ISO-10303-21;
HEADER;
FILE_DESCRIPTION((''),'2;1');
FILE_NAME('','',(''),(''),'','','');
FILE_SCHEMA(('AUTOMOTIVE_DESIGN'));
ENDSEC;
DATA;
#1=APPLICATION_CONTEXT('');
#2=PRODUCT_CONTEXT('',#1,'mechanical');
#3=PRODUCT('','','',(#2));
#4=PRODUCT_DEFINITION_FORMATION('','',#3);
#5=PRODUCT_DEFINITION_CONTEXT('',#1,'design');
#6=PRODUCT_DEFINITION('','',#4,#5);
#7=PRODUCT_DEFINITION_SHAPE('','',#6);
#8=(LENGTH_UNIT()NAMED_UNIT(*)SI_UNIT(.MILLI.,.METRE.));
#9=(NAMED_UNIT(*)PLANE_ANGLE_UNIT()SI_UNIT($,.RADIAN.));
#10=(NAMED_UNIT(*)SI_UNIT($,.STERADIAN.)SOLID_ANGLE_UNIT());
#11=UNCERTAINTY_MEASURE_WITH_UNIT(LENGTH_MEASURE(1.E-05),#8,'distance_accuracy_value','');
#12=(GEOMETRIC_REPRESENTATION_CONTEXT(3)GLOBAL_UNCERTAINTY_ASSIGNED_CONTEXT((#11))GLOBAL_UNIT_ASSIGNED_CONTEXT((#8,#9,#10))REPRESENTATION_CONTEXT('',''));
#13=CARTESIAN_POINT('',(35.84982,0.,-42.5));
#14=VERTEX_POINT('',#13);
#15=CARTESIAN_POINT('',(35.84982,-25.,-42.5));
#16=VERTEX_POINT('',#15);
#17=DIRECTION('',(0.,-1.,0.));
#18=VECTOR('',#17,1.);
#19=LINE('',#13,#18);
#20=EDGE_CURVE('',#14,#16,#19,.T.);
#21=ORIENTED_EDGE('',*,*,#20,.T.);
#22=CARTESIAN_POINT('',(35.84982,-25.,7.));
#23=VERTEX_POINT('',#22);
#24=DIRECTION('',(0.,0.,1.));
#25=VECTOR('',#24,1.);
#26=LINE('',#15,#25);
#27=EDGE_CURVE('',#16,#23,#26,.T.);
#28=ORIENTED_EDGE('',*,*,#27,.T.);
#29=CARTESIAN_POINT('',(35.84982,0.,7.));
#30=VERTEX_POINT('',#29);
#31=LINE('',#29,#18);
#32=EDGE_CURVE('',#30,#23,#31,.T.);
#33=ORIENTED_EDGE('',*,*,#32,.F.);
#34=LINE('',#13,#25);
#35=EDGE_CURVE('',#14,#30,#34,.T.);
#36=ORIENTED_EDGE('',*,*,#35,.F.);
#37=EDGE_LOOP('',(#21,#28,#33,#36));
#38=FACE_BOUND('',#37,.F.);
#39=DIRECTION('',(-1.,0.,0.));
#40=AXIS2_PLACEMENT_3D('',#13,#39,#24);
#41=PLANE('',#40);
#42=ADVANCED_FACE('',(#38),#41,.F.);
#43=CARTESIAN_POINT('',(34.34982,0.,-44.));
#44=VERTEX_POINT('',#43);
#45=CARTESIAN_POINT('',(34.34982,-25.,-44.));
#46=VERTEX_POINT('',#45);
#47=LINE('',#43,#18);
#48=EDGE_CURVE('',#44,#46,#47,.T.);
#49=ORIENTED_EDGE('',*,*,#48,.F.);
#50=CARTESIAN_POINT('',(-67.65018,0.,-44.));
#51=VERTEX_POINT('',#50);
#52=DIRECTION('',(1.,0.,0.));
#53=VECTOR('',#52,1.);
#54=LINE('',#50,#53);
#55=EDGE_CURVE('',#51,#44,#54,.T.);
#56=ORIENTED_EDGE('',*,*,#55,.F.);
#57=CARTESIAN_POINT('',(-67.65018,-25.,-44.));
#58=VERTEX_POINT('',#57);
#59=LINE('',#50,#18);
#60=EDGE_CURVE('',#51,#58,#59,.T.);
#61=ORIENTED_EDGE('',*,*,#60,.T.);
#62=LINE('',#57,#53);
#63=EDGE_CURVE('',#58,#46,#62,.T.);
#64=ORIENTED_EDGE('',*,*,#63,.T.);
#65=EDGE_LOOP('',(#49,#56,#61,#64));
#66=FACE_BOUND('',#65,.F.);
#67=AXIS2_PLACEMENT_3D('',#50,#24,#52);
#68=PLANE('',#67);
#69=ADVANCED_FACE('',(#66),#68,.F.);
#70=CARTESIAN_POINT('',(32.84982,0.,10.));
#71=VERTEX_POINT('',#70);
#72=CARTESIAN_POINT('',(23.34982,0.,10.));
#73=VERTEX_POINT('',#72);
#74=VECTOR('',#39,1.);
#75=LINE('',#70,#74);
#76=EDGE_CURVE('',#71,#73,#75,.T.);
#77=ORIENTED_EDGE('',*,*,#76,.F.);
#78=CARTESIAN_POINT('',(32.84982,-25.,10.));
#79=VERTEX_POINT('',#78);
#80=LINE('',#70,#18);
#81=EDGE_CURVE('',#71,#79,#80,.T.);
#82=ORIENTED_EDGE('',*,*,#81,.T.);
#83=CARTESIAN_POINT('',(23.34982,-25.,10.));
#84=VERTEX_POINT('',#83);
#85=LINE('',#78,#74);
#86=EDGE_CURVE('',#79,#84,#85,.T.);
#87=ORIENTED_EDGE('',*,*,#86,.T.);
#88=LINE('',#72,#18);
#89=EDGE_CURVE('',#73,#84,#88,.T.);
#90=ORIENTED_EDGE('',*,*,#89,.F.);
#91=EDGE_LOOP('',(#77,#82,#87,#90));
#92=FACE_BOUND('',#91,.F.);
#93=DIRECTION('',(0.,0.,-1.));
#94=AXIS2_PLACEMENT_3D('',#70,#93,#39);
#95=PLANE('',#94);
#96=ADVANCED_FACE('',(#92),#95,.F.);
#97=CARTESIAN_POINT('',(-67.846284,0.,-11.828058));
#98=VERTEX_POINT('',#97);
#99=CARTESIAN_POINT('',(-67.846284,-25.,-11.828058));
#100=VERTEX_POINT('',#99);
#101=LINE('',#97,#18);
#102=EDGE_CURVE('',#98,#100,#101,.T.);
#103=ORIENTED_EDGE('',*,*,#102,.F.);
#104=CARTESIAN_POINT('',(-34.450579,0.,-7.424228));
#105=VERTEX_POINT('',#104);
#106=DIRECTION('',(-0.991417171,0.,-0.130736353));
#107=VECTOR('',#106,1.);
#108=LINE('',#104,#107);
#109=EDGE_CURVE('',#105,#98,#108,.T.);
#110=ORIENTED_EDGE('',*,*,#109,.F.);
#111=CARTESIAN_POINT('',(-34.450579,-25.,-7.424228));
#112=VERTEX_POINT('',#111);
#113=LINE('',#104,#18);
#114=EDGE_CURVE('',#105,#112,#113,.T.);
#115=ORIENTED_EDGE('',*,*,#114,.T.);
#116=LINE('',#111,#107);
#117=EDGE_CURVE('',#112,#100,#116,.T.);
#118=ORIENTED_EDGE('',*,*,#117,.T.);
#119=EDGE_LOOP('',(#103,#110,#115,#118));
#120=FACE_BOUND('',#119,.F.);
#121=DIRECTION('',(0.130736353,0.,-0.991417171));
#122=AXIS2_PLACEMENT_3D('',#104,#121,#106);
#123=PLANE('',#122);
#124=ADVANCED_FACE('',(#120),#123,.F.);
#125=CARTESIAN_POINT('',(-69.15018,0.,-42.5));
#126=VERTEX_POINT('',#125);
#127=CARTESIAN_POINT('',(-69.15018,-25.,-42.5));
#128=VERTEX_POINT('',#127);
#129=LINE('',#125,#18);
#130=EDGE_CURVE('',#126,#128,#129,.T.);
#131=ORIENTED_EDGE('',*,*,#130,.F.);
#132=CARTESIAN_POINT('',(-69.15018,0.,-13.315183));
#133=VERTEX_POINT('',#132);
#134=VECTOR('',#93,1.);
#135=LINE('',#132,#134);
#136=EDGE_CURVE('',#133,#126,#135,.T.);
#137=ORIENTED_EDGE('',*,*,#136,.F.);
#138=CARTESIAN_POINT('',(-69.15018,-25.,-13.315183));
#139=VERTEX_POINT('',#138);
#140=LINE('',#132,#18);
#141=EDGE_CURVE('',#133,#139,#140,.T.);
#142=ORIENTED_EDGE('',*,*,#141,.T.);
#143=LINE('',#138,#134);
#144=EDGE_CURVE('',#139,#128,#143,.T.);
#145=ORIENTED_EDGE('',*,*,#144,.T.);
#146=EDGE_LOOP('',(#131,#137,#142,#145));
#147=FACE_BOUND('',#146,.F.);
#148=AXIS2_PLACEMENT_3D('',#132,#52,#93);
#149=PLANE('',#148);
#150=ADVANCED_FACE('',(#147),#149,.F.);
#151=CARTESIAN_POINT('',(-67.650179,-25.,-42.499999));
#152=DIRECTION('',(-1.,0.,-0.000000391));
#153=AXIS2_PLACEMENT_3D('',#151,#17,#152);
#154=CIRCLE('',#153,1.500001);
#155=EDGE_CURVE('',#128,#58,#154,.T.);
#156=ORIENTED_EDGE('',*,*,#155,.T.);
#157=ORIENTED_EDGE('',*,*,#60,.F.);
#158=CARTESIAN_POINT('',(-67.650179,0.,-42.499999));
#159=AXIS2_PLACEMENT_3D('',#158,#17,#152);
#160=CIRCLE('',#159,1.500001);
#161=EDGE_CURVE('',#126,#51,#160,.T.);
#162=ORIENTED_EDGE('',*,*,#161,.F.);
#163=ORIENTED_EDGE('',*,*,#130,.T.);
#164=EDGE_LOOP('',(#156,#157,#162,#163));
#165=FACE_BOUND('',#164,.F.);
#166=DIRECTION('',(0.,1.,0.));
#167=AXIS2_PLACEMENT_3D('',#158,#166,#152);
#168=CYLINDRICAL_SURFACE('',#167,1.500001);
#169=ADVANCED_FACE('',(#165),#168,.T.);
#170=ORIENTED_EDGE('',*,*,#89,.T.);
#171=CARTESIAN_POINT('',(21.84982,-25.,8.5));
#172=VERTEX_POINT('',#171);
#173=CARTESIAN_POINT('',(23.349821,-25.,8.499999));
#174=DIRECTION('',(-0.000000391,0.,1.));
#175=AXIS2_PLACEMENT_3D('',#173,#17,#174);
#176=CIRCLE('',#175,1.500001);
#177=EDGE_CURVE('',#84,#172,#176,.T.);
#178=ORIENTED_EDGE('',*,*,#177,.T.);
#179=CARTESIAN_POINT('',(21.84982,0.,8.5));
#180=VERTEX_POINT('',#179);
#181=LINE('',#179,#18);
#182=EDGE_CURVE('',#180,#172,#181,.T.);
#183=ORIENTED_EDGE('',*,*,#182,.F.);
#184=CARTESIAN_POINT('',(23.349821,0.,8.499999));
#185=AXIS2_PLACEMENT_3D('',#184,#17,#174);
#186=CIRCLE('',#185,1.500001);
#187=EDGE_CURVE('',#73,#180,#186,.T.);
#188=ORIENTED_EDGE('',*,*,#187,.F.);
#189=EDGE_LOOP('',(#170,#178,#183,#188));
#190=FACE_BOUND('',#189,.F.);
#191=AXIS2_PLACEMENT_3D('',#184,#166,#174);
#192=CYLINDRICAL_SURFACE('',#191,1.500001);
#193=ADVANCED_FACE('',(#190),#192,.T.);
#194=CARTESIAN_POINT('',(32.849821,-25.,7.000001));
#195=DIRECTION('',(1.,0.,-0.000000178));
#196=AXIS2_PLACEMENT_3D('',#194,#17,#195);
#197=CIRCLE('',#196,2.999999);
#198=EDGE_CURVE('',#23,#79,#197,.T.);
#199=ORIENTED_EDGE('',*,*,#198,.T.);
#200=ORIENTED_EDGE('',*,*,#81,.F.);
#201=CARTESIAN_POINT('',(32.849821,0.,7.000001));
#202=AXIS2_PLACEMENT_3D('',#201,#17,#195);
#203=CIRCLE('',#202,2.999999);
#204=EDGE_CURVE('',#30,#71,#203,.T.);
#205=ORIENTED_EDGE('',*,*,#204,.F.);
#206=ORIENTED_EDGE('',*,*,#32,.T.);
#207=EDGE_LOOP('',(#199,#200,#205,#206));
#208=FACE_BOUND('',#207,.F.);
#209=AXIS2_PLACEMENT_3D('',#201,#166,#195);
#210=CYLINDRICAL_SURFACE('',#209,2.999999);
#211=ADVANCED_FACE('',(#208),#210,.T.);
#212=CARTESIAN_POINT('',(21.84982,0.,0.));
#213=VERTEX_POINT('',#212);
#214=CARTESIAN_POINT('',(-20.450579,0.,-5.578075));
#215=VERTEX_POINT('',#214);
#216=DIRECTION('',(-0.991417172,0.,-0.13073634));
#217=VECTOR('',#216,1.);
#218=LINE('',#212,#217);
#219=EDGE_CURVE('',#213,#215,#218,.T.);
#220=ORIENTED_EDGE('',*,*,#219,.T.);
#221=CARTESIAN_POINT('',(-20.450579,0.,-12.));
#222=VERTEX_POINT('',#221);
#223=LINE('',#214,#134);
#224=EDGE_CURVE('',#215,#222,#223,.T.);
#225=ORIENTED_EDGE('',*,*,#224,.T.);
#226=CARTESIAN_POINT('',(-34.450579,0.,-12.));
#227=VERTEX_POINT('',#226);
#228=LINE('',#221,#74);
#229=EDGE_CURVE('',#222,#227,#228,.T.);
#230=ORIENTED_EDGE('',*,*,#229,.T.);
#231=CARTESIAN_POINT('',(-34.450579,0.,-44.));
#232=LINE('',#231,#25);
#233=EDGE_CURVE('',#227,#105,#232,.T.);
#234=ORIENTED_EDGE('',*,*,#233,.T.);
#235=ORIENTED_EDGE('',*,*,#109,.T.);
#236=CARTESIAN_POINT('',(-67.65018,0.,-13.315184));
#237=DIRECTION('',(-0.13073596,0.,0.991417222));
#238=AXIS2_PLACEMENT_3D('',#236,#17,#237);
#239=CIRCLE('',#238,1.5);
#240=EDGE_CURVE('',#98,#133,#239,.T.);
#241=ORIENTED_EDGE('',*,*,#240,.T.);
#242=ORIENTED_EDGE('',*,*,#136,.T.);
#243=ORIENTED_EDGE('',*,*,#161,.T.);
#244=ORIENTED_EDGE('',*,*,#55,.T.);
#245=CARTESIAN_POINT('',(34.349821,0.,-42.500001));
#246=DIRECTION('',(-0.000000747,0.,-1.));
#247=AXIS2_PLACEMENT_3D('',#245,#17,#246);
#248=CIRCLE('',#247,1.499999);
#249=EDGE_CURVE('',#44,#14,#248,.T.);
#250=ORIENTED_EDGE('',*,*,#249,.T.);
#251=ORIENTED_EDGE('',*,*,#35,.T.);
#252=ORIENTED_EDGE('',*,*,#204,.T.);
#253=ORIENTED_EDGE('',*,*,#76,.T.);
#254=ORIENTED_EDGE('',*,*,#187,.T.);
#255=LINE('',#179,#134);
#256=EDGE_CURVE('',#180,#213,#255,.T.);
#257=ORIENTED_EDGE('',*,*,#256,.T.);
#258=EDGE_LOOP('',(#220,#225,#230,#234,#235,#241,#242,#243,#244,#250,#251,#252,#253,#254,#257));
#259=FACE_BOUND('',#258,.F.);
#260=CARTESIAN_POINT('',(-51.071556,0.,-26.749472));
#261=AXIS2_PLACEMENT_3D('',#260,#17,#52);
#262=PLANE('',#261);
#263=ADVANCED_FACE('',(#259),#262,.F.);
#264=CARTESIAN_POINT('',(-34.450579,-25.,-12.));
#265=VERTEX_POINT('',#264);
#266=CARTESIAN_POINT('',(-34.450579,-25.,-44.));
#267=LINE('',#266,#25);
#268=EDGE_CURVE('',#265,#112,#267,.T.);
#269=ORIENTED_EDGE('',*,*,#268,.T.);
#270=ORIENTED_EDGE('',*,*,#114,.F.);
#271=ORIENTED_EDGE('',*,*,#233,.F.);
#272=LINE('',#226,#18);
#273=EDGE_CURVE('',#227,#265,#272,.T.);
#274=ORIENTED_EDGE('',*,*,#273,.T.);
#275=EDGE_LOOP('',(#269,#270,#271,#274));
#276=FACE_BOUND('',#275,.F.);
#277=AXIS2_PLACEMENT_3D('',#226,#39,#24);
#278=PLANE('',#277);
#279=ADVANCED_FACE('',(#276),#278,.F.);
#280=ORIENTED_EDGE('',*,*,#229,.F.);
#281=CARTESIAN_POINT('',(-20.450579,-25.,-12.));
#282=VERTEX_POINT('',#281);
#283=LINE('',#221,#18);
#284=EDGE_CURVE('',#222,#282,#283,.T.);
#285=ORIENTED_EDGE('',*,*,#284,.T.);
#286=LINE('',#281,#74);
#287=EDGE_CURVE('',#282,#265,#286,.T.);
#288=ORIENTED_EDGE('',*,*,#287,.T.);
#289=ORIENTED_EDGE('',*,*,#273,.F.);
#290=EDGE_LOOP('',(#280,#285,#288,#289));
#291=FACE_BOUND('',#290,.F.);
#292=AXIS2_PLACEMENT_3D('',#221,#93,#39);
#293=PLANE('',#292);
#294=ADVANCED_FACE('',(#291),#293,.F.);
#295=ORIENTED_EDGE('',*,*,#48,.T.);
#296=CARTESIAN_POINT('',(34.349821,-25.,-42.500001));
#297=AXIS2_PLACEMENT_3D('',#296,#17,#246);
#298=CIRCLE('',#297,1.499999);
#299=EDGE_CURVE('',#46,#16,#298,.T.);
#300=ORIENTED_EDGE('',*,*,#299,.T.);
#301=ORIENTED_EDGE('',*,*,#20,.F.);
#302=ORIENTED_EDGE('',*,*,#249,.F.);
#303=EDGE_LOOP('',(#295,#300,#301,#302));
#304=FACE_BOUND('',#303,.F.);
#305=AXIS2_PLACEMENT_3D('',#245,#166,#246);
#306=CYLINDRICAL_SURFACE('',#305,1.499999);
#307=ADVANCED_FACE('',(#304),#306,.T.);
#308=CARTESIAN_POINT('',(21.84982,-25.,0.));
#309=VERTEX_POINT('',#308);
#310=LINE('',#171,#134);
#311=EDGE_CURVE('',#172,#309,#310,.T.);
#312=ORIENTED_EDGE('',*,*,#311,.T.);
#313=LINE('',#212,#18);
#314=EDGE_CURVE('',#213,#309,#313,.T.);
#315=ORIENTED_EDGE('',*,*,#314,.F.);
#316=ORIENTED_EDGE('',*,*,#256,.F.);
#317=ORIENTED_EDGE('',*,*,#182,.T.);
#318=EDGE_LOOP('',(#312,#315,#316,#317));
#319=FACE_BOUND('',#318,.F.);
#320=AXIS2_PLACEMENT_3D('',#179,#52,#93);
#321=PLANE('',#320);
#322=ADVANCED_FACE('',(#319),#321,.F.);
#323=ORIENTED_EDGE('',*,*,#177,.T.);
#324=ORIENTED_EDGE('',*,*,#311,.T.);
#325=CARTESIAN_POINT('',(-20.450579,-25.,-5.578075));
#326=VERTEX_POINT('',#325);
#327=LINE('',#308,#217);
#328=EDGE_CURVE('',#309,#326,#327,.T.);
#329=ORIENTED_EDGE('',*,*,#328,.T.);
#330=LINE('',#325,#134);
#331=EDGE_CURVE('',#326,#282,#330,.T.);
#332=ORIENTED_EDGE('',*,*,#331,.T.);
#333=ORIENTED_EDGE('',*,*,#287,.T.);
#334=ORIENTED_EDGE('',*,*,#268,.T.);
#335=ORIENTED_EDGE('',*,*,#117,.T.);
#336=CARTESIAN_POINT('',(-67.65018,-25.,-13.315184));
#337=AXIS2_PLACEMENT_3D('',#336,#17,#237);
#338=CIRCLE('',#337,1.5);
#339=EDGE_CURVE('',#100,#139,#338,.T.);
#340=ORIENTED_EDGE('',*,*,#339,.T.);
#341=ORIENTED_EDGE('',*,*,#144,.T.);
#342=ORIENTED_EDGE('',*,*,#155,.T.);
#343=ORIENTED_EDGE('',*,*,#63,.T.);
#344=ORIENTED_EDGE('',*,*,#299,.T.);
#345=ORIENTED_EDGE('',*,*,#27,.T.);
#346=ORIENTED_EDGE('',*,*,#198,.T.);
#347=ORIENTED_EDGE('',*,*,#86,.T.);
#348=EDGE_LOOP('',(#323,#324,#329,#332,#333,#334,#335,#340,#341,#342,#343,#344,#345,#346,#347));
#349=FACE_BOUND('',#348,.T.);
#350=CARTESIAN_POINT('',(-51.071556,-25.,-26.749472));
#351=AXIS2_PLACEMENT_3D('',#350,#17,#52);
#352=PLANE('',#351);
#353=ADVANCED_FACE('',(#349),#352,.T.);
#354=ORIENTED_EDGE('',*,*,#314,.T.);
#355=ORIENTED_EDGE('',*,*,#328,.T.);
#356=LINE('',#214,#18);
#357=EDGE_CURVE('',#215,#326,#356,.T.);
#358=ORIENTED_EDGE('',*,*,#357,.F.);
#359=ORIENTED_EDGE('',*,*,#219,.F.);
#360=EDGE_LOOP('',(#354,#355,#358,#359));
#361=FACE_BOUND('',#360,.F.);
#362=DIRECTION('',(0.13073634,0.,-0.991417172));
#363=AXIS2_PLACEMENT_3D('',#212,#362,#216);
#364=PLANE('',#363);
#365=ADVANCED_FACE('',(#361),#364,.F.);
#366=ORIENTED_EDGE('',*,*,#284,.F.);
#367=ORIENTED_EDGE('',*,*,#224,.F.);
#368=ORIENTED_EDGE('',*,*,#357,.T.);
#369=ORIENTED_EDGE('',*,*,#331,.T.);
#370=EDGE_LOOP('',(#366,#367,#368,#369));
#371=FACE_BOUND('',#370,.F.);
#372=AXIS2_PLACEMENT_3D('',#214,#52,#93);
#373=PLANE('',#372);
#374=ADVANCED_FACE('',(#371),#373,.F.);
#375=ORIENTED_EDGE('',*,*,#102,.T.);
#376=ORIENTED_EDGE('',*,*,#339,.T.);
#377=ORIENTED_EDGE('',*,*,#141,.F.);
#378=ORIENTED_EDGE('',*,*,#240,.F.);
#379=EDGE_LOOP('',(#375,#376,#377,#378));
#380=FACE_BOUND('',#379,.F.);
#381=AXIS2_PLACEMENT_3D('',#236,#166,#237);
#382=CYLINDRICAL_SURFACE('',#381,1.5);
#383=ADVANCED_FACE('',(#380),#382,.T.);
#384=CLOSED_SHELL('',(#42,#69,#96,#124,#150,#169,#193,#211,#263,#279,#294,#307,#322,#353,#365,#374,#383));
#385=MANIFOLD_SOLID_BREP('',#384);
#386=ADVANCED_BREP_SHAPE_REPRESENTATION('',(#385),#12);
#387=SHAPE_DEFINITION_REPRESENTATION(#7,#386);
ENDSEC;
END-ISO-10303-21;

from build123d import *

# Parameters (mm, degrees)
F1_DEPTH = 25


with BuildPart() as f1:
    # F0 (on Front) → F1 (new body)
    with BuildSketch(Plane.XZ):
        with BuildLine():
            Line((-67.65018, -44), (-34.450579, -44))
            Line((-34.450579, -44), (-34.450579, -12))
            Line((-34.450579, -12), (-34.450579, -7.424228))
            Line((-34.450579, -7.424228), (-67.846284, -11.828058))
            ThreePointArc((-67.846284, -11.828058), (-68.778044, -12.326284), (-69.15018, -13.315183))
            Line((-69.15018, -13.315183), (-69.15018, -42.5))
            ThreePointArc((-69.15018, -42.5), (-68.71084, -43.56066), (-67.65018, -44))
        make_face()
        with BuildLine():
            Line((-34.450579, -44), (34.34982, -44))
            ThreePointArc((34.34982, -44), (35.410481, -43.56066), (35.84982, -42.5))
            Line((35.84982, -42.5), (35.84982, 7))
            ThreePointArc((35.84982, 7), (34.971141, 9.12132), (32.84982, 10))
            Line((32.84982, 10), (23.34982, 10))
            ThreePointArc((23.34982, 10), (22.28916, 9.56066), (21.84982, 8.5))
            Line((21.84982, 8.5), (21.84982, 0))
            Line((21.84982, 0), (-20.450579, -5.578075))
            Line((-20.450579, -5.578075), (-20.450579, -12))
            Line((-20.450579, -12), (-34.450579, -12))
            Line((-34.450579, -12), (-34.450579, -44))
        make_face()
    extrude(amount=F1_DEPTH)


solid = f1.part
